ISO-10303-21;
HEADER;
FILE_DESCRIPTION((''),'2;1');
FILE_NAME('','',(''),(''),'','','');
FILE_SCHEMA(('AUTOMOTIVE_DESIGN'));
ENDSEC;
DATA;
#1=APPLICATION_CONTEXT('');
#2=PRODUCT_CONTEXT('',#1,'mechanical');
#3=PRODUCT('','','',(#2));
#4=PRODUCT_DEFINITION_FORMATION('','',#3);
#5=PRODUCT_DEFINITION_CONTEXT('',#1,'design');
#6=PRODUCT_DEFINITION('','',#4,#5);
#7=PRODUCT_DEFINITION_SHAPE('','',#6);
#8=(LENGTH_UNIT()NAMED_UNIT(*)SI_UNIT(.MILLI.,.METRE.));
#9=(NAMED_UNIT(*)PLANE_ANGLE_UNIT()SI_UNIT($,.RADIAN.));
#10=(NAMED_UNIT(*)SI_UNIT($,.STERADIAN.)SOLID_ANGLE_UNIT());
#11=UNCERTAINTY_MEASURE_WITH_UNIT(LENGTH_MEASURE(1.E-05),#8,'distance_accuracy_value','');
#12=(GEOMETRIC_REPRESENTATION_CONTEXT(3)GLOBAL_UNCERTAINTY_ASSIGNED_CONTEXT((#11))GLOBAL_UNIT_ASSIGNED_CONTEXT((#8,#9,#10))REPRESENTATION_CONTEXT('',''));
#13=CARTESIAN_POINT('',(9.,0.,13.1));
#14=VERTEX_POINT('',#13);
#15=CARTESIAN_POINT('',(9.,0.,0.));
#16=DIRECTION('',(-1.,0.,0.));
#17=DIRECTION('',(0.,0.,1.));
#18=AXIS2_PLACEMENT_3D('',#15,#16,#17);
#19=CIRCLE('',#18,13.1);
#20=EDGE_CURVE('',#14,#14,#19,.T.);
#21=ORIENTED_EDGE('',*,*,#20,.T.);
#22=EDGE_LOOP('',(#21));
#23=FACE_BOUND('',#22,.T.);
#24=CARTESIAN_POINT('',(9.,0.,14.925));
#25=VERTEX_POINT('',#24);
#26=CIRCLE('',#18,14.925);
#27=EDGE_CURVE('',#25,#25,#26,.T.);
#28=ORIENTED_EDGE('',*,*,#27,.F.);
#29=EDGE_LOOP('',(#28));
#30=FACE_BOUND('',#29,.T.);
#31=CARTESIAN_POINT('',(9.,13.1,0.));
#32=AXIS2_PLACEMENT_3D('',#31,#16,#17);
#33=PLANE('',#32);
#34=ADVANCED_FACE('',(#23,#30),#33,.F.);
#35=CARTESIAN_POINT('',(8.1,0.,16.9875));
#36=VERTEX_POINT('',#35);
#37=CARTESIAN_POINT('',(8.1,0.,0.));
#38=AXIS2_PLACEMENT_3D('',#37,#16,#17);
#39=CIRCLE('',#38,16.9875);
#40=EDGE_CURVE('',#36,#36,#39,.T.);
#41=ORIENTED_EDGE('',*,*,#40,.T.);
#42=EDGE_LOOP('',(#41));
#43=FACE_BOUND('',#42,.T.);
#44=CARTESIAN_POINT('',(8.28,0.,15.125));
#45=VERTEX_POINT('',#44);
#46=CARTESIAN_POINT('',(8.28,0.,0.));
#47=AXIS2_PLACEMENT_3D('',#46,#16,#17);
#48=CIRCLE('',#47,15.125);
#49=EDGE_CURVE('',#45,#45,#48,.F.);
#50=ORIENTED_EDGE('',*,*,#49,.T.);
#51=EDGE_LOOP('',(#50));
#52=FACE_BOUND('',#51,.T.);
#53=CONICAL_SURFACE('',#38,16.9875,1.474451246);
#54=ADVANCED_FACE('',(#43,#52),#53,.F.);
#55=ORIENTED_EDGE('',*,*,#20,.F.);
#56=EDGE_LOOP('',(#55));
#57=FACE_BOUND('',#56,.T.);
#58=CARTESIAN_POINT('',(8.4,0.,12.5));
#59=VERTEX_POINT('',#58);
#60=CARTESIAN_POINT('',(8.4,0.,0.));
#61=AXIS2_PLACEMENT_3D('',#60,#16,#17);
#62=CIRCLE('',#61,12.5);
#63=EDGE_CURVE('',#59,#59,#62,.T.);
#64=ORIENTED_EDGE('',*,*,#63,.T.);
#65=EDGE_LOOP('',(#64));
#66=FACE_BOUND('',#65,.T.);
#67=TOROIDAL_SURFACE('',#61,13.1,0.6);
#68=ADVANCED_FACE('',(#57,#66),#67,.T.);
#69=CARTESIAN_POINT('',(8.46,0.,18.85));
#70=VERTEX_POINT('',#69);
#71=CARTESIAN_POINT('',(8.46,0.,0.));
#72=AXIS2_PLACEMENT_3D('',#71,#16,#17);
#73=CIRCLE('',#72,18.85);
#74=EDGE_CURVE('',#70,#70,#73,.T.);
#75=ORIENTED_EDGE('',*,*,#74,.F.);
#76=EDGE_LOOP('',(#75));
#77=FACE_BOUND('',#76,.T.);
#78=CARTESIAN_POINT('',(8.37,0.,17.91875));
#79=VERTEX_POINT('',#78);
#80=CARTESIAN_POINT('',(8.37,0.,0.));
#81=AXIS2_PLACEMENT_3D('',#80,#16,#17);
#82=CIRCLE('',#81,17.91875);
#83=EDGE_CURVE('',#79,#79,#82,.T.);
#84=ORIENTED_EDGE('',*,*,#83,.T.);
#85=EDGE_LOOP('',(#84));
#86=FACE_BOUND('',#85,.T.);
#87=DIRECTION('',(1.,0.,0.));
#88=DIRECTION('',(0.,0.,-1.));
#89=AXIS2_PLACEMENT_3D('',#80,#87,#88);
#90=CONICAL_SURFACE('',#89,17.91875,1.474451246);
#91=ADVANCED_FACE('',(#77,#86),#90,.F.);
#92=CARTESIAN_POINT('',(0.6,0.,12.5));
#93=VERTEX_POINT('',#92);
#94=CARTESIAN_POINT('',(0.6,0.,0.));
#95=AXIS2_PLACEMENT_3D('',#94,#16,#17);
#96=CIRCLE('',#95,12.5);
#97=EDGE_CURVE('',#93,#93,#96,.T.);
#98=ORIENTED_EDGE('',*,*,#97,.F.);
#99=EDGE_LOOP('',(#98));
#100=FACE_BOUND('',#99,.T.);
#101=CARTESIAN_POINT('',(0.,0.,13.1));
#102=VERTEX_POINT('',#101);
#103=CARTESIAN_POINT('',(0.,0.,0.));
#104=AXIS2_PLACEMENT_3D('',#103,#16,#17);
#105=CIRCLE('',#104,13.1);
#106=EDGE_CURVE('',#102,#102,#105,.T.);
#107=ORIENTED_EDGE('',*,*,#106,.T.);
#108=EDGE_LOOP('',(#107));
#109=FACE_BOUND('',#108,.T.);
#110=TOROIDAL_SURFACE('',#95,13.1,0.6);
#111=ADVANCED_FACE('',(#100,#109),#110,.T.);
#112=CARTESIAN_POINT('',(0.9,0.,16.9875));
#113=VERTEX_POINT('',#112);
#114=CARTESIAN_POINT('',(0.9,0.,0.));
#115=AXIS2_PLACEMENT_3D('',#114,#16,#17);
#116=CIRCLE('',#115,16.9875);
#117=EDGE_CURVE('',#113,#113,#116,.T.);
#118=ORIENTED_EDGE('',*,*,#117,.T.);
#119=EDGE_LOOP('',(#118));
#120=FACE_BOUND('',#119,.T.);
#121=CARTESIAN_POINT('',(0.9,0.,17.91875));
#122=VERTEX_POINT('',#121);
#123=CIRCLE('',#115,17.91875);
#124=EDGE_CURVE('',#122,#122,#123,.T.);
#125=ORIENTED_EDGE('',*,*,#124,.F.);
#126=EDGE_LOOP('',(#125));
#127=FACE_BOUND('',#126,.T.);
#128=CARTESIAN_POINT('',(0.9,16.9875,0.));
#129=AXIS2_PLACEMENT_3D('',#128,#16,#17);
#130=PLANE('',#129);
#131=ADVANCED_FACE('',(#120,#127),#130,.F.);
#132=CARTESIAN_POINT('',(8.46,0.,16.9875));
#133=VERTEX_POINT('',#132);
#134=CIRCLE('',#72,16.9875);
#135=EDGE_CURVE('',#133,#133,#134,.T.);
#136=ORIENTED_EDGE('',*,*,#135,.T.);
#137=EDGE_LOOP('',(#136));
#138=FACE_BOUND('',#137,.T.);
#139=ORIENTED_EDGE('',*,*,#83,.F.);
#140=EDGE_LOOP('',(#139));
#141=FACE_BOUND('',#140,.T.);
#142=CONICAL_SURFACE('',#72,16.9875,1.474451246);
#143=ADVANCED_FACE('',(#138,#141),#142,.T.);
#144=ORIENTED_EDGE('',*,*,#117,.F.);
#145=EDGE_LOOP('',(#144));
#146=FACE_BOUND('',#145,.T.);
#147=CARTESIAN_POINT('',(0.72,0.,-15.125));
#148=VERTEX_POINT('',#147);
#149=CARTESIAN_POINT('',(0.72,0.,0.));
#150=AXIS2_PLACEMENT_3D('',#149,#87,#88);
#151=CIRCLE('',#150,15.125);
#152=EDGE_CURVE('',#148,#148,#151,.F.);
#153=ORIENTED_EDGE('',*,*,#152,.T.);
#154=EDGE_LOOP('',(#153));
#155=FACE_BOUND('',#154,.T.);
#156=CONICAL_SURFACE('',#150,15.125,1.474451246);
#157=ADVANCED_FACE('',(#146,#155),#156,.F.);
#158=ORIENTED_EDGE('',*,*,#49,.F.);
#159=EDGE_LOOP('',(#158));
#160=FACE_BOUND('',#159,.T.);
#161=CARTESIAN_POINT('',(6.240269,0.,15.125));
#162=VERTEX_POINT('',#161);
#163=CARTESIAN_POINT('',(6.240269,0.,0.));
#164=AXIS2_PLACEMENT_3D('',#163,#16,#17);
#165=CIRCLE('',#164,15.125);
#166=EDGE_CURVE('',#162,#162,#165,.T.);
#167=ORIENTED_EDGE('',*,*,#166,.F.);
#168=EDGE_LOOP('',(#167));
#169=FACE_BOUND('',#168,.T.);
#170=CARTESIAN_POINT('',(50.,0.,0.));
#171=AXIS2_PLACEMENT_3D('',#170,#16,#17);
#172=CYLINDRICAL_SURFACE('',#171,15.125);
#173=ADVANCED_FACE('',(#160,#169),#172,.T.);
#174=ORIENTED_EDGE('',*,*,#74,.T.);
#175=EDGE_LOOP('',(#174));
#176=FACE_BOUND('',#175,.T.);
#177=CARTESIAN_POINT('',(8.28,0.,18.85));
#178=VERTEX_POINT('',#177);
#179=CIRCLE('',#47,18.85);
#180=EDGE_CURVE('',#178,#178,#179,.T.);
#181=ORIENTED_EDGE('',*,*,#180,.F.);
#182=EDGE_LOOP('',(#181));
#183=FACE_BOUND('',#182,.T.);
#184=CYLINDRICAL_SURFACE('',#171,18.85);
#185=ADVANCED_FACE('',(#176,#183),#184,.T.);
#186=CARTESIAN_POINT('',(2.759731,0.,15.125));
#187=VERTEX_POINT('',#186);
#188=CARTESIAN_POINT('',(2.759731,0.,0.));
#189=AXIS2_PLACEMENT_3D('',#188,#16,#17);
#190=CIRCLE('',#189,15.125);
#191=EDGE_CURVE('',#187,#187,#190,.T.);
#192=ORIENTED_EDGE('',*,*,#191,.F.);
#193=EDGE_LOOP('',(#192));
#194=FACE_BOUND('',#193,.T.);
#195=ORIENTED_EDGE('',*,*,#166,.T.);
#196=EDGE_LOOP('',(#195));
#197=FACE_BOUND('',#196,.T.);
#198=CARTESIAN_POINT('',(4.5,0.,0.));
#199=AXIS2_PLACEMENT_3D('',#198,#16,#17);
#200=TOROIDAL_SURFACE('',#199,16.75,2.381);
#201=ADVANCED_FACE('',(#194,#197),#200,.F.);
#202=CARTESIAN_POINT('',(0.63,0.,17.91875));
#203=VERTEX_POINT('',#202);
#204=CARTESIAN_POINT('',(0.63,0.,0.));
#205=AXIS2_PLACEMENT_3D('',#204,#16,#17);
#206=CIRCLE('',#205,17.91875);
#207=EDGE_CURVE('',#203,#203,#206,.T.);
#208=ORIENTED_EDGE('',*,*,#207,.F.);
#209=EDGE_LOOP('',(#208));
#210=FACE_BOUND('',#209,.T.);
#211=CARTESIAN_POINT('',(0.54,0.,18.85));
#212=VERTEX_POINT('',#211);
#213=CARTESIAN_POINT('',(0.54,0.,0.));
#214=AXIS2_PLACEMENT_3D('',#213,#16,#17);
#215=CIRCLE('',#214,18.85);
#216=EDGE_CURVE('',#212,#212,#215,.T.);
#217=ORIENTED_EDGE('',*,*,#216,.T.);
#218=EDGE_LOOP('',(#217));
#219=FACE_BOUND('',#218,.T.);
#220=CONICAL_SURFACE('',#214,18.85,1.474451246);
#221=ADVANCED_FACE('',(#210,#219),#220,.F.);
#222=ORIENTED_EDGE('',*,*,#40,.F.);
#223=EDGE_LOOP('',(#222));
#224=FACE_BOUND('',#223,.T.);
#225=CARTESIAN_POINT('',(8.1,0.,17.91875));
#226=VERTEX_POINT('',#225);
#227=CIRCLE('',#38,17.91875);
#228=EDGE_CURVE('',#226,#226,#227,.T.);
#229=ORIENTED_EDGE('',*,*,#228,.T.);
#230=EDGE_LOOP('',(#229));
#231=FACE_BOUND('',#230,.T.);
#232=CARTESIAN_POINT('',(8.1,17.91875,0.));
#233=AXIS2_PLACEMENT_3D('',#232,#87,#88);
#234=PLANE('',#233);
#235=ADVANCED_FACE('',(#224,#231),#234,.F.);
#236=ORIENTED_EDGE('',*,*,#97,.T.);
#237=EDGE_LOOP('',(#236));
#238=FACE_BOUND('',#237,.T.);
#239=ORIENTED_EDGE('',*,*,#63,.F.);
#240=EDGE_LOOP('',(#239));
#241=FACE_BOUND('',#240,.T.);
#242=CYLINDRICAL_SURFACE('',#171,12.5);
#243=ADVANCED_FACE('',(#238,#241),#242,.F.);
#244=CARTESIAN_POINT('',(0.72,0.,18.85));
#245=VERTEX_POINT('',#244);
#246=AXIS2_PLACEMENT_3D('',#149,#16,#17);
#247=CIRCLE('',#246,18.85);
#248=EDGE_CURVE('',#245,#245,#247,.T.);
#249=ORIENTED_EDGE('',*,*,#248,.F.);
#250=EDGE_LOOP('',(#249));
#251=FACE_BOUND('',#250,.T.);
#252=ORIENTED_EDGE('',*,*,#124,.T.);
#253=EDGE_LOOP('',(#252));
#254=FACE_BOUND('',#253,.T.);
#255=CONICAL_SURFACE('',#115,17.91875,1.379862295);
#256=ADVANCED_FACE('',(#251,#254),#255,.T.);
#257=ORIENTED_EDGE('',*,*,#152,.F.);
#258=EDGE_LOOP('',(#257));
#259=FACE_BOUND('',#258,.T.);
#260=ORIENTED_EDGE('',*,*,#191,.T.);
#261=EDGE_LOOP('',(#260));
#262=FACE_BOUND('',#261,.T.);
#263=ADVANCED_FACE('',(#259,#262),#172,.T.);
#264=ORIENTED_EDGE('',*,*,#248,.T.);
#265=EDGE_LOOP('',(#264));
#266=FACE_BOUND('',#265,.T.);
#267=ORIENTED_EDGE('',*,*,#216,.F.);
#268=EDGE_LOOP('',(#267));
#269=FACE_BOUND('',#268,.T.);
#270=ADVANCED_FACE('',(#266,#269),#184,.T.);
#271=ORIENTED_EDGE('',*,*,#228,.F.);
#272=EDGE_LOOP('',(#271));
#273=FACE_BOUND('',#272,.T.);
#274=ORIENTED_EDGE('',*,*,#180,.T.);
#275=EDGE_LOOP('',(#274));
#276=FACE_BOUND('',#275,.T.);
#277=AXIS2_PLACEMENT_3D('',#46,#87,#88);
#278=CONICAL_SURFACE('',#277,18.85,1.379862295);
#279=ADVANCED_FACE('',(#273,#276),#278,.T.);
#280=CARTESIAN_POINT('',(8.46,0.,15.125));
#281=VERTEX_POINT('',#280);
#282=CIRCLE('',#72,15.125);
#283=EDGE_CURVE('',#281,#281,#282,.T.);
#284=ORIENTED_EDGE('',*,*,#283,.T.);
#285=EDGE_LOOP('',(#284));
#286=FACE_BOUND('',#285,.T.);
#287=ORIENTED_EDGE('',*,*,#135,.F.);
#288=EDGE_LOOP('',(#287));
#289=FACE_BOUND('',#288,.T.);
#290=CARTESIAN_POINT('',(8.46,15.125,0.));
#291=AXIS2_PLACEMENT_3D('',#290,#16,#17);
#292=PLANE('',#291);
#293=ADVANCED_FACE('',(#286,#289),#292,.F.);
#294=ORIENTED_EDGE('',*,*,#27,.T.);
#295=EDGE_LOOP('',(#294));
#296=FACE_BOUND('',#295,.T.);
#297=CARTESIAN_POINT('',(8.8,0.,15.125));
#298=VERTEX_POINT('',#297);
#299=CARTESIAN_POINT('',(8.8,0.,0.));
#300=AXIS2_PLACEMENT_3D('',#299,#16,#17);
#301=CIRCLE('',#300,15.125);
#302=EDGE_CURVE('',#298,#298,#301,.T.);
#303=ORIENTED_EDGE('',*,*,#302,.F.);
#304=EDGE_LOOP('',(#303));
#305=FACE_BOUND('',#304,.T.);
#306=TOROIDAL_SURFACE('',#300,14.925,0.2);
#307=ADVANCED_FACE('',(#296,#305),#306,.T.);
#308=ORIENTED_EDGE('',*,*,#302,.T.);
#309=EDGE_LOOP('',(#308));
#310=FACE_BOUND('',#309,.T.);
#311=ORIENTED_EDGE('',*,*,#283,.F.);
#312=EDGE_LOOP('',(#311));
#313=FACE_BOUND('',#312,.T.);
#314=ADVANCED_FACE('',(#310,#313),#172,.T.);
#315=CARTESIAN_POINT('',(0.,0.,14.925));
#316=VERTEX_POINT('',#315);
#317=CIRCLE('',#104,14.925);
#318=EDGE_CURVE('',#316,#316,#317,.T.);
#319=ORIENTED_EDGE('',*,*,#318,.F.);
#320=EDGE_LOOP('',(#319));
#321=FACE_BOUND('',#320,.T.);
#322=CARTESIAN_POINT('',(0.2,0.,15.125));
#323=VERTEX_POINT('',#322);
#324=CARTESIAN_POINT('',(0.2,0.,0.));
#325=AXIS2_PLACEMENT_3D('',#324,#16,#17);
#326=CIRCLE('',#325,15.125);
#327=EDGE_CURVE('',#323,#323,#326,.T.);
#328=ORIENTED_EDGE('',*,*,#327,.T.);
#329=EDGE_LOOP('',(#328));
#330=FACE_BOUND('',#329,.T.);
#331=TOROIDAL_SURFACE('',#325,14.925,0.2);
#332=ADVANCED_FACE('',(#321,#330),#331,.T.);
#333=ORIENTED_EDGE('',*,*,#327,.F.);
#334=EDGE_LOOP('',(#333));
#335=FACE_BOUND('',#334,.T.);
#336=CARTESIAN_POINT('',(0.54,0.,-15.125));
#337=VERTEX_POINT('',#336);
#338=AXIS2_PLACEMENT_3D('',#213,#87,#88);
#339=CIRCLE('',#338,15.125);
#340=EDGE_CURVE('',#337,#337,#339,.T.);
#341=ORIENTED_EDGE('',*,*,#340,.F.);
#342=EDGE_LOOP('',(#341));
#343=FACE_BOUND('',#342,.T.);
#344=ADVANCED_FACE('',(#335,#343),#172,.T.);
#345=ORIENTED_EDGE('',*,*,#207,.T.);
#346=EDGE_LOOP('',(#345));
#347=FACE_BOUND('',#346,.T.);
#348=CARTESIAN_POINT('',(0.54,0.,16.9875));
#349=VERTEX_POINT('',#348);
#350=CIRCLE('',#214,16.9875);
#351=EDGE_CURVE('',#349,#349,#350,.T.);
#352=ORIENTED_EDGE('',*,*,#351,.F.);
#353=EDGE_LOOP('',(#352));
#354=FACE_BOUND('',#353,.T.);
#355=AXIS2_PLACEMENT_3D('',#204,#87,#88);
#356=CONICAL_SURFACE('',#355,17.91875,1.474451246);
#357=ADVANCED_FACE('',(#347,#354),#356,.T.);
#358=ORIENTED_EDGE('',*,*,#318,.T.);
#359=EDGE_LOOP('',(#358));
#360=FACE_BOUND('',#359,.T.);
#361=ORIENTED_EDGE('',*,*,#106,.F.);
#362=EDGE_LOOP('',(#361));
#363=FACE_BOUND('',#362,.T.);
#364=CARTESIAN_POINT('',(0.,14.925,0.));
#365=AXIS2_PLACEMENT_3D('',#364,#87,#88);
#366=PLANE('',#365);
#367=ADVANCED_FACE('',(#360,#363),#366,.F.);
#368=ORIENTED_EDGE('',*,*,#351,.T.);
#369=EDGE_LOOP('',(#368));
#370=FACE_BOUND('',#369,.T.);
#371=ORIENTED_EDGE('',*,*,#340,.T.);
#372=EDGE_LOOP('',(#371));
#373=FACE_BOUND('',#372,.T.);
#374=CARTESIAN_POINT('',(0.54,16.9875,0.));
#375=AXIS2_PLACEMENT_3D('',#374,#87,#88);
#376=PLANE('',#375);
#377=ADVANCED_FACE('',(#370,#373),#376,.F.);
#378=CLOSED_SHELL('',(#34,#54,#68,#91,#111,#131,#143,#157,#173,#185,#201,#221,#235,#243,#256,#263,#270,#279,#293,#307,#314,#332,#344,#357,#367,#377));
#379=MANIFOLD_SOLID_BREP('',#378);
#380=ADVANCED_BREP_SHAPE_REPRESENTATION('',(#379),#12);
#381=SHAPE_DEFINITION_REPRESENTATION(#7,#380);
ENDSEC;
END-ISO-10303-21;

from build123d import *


with BuildPart() as part:
    # Sketch1 → Revolve1 (revolve)
    with BuildSketch(Plane.XY, mode=Mode.PRIVATE) as revolve1_sk:
        with BuildLine():
            Line((0, 14.925), (0, 13.1))
            ThreePointArc((0, 13.1), (0.175735931, 12.675735931), (0.6, 12.5))
            Line((0.6, 12.5), (8.4, 12.5))
            ThreePointArc((8.4, 12.5), (8.824264069, 12.675735931), (9, 13.1))
            Line((9, 13.1), (9, 14.925))
            ThreePointArc((9, 14.925), (8.941421356, 15.066421356), (8.8, 15.125))
            Line((8.8, 15.125), (6.240268945, 15.125))
            ThreePointArc((6.240268945, 15.125), (4.5, 14.369), (2.759731055, 15.125))
            Line((2.759731055, 15.125), (0.2, 15.125))
            ThreePointArc((0.2, 15.125), (0.058578644, 15.066421356), (0, 14.925))
        make_face()
    revolve(revolve1_sk.sketch.rotate(Axis((50, 0, 0), (-1, 0, 0)), 270), axis=Axis((50, 0, 0), (-1, 0, 0)))

    # Sketch2 → Revolve2 (revolve)
    with BuildSketch(Plane.XY, mode=Mode.PRIVATE) as revolve2_sk:
        Polygon((0.54, 18.85), (0.63, 17.91875), (0.54, 16.9875), (0.54, 15.125), (0.72, 15.125), (0.9, 16.9875), (0.9, 17.91875), (0.72, 18.85), align=None)
    revolve(revolve2_sk.sketch.rotate(Axis((50, 0, 0), (-1, 0, 0)), 270), axis=Axis((50, 0, 0), (-1, 0, 0)))

    # Sketch3 → Revolve3 (revolve)
    with BuildSketch(Plane.XY, mode=Mode.PRIVATE) as revolve3_sk:
        Polygon((8.1, 16.9875), (8.28, 15.125), (8.46, 15.125), (8.46, 16.9875), (8.37, 17.91875), (8.46, 18.85), (8.28, 18.85), (8.1, 17.91875), align=None)
    revolve(revolve3_sk.sketch.rotate(Axis((50, 0, 0), (-1, 0, 0)), 270), axis=Axis((50, 0, 0), (-1, 0, 0)))


solid = part.part
